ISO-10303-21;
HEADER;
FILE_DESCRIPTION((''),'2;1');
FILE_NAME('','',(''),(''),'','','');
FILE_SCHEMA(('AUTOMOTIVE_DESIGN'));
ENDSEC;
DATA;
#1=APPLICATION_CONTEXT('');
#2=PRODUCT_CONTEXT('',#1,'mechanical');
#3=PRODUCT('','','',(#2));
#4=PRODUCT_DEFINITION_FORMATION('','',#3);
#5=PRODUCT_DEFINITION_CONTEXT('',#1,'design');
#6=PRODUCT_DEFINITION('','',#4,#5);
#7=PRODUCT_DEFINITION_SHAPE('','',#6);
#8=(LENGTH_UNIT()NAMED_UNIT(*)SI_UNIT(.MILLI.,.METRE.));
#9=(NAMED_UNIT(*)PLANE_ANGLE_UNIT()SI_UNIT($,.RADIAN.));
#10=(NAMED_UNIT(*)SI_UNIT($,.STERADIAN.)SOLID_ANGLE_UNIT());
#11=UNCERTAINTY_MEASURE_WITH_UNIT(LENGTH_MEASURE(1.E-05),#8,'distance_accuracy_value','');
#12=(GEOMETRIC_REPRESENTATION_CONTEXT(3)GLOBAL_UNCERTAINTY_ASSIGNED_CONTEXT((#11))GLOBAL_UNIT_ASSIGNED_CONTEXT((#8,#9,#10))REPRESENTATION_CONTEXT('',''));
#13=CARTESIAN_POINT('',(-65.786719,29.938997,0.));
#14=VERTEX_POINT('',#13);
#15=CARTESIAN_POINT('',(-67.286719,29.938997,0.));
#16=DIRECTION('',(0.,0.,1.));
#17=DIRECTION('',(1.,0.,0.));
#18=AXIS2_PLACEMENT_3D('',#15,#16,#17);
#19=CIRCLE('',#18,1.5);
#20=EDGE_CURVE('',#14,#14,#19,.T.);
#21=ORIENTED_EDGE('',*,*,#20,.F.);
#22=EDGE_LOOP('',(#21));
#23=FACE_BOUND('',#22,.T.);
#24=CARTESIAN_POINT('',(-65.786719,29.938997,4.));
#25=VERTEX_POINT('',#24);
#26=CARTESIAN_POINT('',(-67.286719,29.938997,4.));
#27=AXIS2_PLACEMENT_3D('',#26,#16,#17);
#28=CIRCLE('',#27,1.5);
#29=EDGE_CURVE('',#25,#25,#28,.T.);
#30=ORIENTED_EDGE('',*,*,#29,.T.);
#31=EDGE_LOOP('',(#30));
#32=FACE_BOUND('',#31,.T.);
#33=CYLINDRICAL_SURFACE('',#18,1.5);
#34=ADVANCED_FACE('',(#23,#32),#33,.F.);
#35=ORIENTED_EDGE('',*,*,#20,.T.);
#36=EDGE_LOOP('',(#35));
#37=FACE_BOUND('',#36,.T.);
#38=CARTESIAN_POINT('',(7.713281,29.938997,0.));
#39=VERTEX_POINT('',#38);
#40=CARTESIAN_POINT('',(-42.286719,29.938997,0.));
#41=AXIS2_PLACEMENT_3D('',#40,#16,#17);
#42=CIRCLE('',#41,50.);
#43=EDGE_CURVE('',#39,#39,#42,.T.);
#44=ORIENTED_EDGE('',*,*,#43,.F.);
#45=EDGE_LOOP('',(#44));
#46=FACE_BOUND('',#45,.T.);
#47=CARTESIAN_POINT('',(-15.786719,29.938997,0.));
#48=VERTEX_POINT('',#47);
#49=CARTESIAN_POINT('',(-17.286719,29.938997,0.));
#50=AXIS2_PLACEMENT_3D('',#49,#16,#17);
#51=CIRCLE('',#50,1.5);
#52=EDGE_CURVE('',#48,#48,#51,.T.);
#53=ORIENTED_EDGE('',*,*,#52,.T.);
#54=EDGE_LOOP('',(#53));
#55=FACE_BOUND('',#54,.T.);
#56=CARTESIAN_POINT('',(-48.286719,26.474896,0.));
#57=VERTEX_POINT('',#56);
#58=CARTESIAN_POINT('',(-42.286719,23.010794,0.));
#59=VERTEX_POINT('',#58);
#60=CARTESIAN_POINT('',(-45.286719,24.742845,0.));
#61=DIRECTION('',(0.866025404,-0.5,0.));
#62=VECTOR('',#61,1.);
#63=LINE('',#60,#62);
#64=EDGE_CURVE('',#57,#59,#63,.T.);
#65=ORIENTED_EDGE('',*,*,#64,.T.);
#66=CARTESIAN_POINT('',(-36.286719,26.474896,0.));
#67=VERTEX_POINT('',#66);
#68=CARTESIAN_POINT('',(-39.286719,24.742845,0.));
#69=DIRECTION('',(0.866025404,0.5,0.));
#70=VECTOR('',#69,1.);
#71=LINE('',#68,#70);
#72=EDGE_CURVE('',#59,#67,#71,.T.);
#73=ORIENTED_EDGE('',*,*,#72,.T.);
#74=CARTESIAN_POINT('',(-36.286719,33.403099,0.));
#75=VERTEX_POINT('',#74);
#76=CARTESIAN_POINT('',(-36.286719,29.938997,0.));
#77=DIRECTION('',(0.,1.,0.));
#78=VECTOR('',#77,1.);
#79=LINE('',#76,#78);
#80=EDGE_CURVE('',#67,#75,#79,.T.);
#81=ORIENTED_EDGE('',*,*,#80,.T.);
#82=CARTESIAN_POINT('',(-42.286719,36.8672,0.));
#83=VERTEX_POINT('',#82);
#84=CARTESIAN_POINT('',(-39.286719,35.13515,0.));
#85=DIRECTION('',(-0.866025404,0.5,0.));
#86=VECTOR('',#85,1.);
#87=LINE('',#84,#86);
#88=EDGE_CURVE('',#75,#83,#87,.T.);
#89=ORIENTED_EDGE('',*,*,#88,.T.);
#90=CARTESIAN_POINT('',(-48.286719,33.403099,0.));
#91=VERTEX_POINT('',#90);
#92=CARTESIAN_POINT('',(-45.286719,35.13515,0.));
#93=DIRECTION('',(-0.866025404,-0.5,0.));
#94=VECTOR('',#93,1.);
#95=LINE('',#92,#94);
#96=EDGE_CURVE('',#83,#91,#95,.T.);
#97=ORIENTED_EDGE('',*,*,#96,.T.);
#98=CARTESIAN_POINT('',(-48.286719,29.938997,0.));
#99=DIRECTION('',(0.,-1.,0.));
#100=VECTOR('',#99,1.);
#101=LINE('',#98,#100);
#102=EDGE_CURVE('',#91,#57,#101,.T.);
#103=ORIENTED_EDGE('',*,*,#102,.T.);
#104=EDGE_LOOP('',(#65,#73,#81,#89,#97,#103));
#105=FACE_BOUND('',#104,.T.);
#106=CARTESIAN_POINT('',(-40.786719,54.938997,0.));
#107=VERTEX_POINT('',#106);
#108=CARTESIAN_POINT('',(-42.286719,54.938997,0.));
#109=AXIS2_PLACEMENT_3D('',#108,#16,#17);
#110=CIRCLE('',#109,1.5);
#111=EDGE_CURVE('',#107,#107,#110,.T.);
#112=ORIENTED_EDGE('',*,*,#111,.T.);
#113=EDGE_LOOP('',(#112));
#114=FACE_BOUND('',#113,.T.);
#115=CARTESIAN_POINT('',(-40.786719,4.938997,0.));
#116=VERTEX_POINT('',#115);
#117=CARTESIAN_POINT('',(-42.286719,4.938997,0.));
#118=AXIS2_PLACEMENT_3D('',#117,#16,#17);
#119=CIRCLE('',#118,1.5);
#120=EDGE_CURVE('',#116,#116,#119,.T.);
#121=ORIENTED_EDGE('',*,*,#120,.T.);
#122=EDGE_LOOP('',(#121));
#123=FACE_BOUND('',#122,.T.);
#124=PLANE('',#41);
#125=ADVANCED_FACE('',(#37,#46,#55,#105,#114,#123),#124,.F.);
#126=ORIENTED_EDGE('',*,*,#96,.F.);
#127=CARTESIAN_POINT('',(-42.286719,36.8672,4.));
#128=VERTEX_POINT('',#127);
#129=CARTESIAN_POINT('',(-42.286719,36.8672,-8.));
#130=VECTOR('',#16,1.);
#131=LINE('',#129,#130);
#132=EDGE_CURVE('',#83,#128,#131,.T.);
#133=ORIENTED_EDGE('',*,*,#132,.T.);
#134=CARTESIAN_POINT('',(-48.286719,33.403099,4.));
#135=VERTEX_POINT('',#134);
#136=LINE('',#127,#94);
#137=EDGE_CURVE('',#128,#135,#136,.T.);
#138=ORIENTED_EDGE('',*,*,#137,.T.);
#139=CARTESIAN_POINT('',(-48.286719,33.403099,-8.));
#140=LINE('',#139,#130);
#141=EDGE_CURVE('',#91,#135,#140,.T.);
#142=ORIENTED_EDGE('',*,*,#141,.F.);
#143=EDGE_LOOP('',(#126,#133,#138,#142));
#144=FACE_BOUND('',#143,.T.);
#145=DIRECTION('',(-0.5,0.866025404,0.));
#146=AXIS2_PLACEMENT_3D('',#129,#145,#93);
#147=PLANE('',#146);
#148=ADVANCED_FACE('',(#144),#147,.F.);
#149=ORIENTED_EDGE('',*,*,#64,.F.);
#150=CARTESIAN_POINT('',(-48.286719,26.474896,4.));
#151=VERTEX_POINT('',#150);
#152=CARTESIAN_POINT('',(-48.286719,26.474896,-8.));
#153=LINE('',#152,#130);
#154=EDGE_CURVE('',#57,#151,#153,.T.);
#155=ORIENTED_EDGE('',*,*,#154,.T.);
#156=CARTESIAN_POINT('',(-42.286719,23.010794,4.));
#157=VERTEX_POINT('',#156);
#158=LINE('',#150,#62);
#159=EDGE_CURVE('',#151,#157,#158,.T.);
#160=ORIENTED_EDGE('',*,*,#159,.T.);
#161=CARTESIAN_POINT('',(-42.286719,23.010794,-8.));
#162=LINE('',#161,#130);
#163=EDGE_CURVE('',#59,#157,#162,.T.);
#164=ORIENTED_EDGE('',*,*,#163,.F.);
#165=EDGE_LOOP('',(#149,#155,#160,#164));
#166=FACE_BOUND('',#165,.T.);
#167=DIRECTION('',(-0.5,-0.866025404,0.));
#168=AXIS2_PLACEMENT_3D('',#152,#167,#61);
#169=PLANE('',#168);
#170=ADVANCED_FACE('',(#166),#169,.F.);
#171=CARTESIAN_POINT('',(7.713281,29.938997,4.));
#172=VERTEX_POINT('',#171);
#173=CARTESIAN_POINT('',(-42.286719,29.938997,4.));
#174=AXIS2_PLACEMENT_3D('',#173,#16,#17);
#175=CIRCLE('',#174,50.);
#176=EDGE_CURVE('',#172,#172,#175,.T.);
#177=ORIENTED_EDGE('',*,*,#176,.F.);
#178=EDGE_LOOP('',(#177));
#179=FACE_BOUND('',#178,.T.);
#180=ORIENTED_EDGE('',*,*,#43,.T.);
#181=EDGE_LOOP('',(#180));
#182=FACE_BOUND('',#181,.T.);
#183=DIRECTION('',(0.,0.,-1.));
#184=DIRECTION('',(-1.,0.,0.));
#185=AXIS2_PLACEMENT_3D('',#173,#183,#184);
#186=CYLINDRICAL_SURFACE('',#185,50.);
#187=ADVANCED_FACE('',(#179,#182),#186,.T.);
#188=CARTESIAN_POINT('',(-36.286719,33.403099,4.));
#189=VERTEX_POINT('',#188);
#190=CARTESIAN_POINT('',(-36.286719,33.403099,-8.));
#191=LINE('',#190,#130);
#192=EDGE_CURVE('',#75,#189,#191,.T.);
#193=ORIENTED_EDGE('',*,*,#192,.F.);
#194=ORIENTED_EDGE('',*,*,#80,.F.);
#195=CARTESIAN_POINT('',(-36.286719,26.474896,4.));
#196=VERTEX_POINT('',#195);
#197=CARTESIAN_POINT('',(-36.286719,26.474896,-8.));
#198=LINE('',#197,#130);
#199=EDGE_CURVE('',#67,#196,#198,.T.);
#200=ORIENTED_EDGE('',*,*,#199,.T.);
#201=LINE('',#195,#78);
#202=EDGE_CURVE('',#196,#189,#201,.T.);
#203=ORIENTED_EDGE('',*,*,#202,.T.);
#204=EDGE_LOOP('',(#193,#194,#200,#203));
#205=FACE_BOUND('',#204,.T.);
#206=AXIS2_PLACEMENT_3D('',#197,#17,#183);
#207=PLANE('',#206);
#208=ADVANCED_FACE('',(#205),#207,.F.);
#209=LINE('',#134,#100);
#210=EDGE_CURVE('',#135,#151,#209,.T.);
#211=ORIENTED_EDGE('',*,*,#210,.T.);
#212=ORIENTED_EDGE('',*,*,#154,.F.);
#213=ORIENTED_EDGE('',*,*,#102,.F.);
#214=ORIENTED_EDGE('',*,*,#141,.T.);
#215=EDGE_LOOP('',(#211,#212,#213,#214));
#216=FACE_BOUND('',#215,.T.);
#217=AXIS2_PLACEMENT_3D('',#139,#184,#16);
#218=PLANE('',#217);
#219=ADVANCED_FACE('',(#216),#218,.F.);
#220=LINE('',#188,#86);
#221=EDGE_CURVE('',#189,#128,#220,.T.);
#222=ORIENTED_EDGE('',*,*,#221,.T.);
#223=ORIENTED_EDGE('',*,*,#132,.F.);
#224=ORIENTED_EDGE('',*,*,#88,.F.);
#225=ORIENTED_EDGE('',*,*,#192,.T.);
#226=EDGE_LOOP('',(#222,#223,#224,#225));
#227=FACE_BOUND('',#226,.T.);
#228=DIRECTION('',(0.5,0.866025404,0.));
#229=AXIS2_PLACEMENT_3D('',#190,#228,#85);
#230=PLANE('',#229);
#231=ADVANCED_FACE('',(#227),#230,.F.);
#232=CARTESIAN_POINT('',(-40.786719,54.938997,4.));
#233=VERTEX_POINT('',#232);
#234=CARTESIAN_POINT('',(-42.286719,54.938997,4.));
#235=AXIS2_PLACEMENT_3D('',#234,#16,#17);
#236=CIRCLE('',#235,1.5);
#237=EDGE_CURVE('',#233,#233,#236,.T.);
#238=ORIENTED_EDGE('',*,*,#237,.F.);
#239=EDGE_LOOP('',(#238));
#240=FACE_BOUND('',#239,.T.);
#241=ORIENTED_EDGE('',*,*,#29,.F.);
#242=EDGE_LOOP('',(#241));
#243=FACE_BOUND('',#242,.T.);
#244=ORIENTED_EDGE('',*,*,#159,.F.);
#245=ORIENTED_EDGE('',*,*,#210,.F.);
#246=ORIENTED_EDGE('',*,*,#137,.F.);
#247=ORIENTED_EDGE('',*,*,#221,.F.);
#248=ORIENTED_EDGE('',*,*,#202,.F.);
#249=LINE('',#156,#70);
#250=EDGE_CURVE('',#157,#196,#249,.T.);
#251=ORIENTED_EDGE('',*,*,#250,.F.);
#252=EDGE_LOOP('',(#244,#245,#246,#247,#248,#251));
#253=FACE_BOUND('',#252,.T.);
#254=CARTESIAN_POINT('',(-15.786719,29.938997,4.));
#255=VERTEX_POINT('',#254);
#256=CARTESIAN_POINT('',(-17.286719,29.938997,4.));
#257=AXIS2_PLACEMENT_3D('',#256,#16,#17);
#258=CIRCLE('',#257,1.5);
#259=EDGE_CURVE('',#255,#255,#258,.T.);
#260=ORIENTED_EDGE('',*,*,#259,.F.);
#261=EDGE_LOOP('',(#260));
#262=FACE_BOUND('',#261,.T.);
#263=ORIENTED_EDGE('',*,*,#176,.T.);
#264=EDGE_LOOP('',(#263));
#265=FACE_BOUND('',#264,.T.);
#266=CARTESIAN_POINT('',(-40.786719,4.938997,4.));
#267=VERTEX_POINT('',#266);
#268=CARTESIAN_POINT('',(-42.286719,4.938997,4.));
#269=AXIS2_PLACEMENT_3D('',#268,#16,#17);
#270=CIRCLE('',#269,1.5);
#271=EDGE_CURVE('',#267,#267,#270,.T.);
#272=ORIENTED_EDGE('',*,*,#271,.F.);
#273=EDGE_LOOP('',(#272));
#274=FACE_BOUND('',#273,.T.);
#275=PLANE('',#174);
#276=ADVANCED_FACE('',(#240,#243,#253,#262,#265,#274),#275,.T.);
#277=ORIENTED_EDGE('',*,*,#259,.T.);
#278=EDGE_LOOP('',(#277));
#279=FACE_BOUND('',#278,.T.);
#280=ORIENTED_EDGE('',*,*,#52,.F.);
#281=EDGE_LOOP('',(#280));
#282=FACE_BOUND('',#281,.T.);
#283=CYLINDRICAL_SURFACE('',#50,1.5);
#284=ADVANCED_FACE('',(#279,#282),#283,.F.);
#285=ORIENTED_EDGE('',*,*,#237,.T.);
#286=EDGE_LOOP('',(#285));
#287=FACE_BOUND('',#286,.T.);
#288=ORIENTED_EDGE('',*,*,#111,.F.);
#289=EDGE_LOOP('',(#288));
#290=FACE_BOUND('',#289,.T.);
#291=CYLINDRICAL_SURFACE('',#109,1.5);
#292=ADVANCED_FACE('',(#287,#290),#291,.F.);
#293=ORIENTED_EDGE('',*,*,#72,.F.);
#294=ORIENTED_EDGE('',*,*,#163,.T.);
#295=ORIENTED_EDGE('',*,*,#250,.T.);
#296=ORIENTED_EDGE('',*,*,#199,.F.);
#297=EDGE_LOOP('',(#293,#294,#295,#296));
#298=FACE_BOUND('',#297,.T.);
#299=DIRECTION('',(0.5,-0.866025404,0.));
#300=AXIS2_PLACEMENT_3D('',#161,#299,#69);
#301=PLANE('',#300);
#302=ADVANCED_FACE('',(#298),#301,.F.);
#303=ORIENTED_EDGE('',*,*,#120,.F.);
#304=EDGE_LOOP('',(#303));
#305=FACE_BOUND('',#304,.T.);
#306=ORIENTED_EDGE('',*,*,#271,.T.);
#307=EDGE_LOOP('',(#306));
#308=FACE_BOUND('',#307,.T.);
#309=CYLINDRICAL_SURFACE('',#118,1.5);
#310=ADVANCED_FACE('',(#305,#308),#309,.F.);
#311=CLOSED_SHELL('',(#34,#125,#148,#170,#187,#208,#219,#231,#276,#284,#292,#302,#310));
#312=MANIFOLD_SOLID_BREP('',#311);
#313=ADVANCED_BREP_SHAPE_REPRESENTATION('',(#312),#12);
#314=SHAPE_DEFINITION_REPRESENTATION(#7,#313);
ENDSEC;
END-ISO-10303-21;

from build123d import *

# Parameters (mm, degrees)
SKETCH1_R           = 50
BOSS_EXTRUDE1_DEPTH = 4
CUT_EXTRUDE1_DEPTH  = 12
SKETCH5_R           = 1.5
CUT_EXTRUDE2_DEPTH  = 4


with BuildPart() as part:
    # Sketch1 → Boss-Extrude1 (new body)
    with BuildSketch(Plane.XY):
        with Locations((-42.286719292, 29.938997259)):
            Circle(SKETCH1_R)
    extrude(amount=BOSS_EXTRUDE1_DEPTH)

    # Sketch4 → Cut-Extrude1 (cut)
    with BuildSketch(Plane.XY.offset(4)):
        Polygon((-42.286719292, 23.010794029), (-36.286719292, 26.474895644), (-36.286719292, 33.403098874), (-42.286719292, 36.867200489), (-48.286719292, 33.403098874), (-48.286719292, 26.474895644), align=None)
    extrude(amount=-CUT_EXTRUDE1_DEPTH, mode=Mode.SUBTRACT)

    # Sketch5 → Cut-Extrude2 (cut)
    with BuildSketch(Plane.XY.offset(4)):
        with Locations((-67.286719292, 29.938997259)):
            Circle(SKETCH5_R)
        with Locations((-42.286719292, 54.938997259)):
            Circle(SKETCH5_R)
        with Locations((-17.286719292, 29.938997259)):
            Circle(SKETCH5_R)
        with Locations((-42.286719292, 4.938997259)):
            Circle(SKETCH5_R)
    extrude(amount=-CUT_EXTRUDE2_DEPTH, mode=Mode.SUBTRACT)


solid = part.part
